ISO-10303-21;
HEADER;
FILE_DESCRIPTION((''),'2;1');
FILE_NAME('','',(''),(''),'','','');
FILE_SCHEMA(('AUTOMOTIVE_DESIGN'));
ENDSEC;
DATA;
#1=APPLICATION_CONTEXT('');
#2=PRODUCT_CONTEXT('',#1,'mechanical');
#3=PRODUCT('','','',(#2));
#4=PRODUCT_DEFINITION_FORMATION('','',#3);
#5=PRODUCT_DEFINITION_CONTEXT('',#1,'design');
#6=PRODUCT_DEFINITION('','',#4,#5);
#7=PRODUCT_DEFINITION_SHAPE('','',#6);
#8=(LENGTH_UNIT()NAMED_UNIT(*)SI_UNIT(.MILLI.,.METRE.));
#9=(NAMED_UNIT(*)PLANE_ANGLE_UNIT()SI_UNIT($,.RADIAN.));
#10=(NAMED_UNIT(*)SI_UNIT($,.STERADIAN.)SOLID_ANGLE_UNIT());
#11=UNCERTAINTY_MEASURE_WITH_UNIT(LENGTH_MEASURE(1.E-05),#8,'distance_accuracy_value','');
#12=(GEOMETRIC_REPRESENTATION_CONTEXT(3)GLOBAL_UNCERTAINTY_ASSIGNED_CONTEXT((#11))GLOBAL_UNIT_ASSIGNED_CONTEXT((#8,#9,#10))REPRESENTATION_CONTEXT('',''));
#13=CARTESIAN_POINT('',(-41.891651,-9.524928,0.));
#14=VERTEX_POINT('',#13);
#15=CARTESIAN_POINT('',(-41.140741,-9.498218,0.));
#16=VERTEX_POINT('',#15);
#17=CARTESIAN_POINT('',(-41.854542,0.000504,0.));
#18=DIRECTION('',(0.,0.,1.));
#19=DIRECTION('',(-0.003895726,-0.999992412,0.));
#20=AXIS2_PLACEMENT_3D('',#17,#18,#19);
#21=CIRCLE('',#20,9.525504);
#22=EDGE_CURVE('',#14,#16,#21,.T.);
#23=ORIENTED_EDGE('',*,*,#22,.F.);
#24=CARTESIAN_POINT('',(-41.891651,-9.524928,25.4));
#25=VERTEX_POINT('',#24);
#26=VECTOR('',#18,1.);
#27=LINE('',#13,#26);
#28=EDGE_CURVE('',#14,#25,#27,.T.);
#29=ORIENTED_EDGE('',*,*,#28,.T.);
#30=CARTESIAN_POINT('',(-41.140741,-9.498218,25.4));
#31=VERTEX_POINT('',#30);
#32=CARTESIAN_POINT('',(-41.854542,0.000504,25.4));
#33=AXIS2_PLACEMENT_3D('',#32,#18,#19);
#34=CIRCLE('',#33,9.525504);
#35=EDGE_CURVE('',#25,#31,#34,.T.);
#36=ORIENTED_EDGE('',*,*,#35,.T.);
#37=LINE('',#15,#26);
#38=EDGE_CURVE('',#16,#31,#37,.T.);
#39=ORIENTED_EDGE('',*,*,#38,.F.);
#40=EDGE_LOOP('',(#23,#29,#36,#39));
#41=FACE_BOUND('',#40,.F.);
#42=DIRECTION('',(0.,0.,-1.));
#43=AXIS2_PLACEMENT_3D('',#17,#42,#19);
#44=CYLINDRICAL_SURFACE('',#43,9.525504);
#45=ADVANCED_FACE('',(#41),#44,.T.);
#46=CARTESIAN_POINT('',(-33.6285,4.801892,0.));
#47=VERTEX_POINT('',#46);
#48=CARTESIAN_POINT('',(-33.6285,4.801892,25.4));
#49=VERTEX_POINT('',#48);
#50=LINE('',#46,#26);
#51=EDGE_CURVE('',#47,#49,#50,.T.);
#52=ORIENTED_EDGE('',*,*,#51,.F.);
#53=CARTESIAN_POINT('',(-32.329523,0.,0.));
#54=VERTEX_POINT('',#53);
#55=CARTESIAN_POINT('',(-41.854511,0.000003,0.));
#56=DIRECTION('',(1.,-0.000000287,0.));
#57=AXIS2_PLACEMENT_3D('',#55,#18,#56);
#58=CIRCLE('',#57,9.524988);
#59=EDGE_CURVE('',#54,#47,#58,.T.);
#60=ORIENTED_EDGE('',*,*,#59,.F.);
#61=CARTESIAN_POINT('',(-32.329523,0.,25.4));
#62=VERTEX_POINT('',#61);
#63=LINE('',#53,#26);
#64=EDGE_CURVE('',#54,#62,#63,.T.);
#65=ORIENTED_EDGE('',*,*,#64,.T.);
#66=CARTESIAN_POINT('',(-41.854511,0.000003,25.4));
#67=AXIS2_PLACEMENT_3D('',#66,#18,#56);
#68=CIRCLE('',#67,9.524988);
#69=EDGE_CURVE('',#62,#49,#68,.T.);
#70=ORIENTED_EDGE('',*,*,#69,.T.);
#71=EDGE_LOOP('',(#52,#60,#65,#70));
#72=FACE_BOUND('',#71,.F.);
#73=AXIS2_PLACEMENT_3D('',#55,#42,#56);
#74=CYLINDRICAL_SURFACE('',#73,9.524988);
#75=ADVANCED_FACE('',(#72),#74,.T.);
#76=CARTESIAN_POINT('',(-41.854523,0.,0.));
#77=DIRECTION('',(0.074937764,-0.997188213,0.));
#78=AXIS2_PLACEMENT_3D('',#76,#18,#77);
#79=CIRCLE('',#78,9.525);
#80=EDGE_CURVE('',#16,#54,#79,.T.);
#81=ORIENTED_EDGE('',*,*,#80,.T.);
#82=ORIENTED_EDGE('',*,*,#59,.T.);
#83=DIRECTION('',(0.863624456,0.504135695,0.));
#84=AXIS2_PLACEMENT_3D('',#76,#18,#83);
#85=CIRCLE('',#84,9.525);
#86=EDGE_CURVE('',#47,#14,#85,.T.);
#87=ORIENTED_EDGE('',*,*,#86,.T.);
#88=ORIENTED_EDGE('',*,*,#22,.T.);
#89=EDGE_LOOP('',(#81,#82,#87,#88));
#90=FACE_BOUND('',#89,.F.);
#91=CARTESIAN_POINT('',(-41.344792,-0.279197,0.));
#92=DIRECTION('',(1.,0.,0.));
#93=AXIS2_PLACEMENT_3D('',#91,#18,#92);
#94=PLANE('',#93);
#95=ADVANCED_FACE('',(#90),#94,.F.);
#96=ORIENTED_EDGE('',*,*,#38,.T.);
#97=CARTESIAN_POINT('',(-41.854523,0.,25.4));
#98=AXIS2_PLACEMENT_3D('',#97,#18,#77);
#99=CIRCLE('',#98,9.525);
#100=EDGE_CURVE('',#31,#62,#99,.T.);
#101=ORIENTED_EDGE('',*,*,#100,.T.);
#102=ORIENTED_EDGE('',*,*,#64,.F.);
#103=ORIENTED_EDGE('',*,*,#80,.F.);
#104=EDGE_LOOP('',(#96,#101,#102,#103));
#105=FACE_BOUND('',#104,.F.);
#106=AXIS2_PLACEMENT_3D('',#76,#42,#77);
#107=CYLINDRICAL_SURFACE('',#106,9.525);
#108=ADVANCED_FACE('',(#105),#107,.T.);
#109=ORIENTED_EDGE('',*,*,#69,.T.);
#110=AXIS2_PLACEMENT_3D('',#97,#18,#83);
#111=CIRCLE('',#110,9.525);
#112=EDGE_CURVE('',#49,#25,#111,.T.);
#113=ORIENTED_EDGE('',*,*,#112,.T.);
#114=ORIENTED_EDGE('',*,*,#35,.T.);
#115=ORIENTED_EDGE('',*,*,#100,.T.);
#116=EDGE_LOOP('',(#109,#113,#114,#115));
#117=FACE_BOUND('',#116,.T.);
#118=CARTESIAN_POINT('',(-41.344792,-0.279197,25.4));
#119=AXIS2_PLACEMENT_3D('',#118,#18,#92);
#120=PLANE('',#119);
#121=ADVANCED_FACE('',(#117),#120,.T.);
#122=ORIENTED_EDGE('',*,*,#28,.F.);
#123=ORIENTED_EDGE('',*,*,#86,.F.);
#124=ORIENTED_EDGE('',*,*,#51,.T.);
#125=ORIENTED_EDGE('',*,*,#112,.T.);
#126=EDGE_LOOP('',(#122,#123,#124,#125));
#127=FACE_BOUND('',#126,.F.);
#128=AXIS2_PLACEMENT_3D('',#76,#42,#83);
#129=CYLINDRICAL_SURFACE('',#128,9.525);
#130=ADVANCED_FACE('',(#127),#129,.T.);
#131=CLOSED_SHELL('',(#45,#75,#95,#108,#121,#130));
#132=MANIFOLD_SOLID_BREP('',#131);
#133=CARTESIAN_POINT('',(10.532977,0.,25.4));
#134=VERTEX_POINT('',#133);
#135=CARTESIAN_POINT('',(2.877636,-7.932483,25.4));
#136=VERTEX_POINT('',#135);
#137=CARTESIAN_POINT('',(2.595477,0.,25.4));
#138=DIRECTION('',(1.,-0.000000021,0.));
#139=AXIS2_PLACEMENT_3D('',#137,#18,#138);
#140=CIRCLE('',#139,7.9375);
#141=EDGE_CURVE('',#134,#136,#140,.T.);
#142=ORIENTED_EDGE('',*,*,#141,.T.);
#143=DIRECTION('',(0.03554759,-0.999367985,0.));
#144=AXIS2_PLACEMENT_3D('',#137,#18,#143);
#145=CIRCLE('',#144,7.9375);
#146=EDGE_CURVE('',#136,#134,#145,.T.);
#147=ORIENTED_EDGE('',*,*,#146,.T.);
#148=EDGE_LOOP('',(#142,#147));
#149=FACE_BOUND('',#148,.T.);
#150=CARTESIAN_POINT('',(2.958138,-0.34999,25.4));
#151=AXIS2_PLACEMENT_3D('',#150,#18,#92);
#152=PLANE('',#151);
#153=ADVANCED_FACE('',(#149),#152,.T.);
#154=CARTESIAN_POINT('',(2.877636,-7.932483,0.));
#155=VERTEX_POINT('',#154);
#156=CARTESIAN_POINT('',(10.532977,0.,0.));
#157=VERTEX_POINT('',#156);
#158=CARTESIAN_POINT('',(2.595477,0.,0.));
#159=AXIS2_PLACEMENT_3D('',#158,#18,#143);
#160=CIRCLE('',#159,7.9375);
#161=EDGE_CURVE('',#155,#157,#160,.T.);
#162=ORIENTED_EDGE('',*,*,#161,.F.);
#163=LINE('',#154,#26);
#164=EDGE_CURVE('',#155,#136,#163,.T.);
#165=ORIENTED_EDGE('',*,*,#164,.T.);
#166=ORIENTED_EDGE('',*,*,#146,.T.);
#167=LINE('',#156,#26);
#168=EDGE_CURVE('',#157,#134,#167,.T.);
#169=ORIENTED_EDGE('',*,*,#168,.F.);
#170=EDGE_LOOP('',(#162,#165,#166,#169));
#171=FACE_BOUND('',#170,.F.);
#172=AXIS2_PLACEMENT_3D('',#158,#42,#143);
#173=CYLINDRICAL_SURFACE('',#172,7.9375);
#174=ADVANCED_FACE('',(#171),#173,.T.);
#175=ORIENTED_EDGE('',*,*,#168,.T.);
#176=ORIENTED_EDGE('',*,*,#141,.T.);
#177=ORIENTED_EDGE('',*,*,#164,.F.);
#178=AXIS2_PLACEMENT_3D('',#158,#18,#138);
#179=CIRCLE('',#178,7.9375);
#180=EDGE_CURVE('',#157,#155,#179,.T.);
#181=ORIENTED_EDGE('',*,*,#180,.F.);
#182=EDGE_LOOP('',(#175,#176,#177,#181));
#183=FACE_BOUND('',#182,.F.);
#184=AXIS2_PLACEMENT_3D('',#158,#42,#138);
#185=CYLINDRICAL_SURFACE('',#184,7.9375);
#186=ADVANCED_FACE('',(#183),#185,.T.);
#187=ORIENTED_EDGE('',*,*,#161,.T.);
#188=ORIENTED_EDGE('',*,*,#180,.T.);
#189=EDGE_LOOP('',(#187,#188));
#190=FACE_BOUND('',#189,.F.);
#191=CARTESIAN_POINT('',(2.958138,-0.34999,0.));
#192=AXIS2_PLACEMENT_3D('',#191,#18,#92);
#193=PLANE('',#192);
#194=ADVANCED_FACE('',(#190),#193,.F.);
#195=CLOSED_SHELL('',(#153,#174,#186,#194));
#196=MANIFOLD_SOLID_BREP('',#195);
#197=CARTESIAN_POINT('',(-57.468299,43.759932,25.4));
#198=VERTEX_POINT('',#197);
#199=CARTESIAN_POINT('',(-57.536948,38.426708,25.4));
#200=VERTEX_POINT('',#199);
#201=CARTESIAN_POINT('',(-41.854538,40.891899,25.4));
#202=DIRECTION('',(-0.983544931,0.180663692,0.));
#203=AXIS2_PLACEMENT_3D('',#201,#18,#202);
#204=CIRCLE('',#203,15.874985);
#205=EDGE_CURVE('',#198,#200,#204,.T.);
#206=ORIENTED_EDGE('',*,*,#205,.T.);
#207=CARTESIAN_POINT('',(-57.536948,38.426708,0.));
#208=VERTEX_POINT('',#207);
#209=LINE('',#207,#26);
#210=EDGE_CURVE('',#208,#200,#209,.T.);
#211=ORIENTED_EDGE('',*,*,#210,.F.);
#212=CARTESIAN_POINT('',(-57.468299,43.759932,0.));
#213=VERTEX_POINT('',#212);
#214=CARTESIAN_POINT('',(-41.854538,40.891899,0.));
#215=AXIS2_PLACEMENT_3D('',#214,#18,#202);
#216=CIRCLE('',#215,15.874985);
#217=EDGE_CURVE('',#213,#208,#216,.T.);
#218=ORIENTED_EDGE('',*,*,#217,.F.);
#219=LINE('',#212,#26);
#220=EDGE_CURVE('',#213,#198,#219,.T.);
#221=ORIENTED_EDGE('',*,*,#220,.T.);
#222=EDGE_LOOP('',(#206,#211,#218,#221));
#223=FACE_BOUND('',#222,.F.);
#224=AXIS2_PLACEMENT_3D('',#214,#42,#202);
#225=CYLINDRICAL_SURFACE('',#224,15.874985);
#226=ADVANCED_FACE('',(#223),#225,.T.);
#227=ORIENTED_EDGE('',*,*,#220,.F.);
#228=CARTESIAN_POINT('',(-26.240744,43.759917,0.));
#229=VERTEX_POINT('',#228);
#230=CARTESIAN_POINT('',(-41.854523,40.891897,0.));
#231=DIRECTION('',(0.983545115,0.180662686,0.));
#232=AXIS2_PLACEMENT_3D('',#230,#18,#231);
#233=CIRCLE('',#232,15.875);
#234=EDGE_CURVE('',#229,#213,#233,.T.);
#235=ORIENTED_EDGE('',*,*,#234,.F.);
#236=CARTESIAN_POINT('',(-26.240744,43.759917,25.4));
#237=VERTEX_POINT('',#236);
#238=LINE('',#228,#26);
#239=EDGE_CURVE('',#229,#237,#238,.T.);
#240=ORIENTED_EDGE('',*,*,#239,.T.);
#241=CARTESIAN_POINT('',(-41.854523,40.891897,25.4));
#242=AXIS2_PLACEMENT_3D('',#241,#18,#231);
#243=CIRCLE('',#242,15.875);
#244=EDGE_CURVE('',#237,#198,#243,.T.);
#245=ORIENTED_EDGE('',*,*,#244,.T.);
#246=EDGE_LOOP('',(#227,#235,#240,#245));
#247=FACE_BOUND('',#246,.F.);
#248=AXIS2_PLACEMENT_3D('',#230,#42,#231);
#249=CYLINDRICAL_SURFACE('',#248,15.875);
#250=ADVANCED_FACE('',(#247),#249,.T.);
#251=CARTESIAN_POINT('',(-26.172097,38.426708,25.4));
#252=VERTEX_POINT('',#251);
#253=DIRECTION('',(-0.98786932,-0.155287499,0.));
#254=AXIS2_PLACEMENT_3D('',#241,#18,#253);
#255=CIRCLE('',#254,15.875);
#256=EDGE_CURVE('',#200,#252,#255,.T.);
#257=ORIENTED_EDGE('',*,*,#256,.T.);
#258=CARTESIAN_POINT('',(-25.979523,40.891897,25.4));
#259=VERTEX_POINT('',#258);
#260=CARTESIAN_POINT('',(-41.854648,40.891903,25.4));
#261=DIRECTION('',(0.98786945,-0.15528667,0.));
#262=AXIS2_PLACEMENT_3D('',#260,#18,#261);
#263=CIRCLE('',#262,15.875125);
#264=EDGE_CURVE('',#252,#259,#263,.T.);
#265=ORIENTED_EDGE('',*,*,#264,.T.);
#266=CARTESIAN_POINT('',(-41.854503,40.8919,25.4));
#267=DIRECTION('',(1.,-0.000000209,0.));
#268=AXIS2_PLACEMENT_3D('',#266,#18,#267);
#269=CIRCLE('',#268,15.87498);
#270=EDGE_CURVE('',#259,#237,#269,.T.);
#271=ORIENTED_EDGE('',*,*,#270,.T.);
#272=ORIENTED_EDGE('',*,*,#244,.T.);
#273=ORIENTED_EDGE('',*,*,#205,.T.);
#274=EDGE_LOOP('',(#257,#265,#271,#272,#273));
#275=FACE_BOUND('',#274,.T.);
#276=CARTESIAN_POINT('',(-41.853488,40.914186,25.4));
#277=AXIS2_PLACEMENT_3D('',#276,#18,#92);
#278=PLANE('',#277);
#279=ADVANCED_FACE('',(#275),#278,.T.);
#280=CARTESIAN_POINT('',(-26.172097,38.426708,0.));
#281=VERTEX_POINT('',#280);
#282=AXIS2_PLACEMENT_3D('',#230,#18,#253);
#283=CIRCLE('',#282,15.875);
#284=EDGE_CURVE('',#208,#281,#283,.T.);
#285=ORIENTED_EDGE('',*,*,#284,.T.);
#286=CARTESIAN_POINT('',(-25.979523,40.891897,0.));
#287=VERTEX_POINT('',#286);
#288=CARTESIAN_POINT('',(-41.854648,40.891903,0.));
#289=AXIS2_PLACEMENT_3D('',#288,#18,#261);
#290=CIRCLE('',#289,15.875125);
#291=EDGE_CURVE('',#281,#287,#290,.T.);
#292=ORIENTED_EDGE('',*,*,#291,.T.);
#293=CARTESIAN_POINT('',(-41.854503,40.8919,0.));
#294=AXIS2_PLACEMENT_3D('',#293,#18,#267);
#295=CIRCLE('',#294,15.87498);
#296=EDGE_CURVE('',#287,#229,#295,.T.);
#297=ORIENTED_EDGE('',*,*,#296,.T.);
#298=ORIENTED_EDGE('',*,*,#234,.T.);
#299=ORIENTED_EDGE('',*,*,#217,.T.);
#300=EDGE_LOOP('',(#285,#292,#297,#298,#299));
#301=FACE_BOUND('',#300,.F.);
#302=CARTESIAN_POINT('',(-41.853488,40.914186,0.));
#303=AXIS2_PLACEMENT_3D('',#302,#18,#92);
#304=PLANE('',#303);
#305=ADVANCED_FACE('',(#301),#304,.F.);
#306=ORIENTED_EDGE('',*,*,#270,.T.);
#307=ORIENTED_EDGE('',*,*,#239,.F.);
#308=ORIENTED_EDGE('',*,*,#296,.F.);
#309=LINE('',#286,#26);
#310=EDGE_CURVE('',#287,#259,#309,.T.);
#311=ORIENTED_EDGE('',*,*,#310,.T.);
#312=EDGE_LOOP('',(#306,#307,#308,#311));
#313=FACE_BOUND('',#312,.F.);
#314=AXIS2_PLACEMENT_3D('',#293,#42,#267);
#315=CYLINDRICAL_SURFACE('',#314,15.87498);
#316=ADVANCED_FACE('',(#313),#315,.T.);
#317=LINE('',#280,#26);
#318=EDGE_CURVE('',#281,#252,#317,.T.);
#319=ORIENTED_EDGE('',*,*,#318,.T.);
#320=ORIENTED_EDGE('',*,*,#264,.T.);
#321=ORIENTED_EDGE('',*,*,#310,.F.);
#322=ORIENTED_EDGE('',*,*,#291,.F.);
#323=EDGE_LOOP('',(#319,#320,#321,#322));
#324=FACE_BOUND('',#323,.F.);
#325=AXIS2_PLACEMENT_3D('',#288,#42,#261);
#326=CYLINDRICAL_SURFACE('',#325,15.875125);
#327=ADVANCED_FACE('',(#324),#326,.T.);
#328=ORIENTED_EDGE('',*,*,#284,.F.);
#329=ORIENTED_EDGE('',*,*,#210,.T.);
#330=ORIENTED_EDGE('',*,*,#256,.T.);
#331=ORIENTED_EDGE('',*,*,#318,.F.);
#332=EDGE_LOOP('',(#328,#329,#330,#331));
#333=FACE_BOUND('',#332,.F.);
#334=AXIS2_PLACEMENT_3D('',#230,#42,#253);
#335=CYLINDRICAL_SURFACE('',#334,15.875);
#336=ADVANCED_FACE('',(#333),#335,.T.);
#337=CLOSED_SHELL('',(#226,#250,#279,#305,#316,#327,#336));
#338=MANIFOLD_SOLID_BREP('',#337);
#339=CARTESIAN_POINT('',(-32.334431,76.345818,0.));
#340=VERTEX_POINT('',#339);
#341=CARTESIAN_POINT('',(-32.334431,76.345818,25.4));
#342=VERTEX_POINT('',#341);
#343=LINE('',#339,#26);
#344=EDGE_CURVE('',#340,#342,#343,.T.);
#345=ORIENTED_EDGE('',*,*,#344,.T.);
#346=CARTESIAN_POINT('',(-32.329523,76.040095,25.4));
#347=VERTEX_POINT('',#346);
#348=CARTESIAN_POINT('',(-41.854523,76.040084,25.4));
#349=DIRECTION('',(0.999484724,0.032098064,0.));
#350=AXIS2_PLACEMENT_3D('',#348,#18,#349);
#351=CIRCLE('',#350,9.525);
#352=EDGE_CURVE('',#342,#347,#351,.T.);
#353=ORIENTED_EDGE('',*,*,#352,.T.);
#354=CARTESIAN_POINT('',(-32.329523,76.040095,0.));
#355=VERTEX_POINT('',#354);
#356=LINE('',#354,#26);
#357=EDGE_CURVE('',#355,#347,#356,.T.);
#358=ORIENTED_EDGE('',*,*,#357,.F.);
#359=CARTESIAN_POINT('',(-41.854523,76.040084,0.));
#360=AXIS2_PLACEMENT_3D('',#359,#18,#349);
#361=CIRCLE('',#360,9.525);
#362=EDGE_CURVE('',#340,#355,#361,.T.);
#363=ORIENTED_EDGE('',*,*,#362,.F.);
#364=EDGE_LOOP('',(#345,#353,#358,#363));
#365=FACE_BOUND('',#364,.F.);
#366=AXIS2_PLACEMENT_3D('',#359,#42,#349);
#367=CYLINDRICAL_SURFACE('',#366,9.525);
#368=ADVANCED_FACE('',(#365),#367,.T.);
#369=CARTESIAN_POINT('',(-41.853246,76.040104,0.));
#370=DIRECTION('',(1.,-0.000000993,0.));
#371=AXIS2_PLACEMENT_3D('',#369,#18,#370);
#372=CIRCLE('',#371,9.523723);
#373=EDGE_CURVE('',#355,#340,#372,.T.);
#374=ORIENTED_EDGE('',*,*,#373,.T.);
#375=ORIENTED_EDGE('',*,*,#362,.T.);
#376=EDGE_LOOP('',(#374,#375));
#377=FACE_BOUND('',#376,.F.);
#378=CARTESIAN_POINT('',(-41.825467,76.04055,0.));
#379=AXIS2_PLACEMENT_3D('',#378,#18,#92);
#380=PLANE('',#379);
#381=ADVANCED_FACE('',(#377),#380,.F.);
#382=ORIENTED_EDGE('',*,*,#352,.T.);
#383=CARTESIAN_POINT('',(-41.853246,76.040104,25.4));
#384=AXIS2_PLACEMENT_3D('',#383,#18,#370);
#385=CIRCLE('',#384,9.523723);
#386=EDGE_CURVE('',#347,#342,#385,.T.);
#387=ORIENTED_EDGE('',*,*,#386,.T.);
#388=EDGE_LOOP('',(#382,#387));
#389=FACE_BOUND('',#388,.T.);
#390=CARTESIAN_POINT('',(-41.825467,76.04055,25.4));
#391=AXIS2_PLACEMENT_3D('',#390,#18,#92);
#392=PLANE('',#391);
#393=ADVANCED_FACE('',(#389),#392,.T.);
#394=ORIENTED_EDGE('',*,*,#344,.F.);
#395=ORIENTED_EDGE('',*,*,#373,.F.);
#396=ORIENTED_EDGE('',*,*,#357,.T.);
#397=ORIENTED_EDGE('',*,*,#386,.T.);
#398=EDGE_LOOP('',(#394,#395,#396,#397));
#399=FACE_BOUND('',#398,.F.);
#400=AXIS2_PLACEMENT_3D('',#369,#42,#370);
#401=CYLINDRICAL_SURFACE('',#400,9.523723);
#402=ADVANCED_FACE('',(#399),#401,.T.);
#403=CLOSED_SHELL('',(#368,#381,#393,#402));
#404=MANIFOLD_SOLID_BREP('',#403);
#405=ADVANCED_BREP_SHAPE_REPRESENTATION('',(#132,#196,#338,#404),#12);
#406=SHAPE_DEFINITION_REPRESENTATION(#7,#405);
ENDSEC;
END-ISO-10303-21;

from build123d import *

# Parameters (mm, degrees)
F1_DEPTH = 25.4


with BuildPart() as f1:
    # F0 (on Top) → F1 (new body)
    with BuildSketch(Plane.XY):
        with BuildLine():
            ThreePointArc((-32.334431, 76.345818), (-51.378296, 75.887214), (-32.329523, 76.040095))
            ThreePointArc((-32.329523, 76.040095), (-32.33075, 76.192976), (-32.334431, 76.345818))
        make_face()
        with BuildLine():
            ThreePointArc((-25.979523, 40.891897), (-26.044963, 42.331843), (-26.240744, 43.759917))
            ThreePointArc((-26.240744, 43.759917), (-41.854515, 56.766897), (-57.468299, 43.759932))
            ThreePointArc((-57.468299, 43.759932), (-57.728208, 41.096224), (-57.536948, 38.426708))
            ThreePointArc((-57.536948, 38.426708), (-41.854523, 25.016897), (-26.172097, 38.426708))
            ThreePointArc((-26.172097, 38.426708), (-26.02774, 39.655547), (-25.979523, 40.891897))
        make_face()
        with BuildLine():
            ThreePointArc((10.532977, 0), (-3.11607, 5.511999), (2.877636, -7.932483))
            ThreePointArc((2.877636, -7.932483), (8.307024, -5.511999), (10.532977, 0))
        make_face()
        with BuildLine():
            ThreePointArc((-32.329523, 0), (-32.66, 2.487243), (-33.6285, 4.801892))
            ThreePointArc((-33.6285, 4.801892), (-50.105519, 4.758853), (-41.891651, -9.524928))
            Line((-41.891651, -9.524928), (-41.140741, -9.498218))
            ThreePointArc((-41.140741, -9.498218), (-34.871529, -6.477918), (-32.329523, 0))
        make_face()
        with BuildLine():
            Line((-41.140741, -9.498218), (-41.891651, -9.524928))
            ThreePointArc((-41.891651, -9.524928), (-41.515933, -9.51898), (-41.140741, -9.498218))
        make_face()
    extrude(amount=F1_DEPTH)


solid = f1.part
